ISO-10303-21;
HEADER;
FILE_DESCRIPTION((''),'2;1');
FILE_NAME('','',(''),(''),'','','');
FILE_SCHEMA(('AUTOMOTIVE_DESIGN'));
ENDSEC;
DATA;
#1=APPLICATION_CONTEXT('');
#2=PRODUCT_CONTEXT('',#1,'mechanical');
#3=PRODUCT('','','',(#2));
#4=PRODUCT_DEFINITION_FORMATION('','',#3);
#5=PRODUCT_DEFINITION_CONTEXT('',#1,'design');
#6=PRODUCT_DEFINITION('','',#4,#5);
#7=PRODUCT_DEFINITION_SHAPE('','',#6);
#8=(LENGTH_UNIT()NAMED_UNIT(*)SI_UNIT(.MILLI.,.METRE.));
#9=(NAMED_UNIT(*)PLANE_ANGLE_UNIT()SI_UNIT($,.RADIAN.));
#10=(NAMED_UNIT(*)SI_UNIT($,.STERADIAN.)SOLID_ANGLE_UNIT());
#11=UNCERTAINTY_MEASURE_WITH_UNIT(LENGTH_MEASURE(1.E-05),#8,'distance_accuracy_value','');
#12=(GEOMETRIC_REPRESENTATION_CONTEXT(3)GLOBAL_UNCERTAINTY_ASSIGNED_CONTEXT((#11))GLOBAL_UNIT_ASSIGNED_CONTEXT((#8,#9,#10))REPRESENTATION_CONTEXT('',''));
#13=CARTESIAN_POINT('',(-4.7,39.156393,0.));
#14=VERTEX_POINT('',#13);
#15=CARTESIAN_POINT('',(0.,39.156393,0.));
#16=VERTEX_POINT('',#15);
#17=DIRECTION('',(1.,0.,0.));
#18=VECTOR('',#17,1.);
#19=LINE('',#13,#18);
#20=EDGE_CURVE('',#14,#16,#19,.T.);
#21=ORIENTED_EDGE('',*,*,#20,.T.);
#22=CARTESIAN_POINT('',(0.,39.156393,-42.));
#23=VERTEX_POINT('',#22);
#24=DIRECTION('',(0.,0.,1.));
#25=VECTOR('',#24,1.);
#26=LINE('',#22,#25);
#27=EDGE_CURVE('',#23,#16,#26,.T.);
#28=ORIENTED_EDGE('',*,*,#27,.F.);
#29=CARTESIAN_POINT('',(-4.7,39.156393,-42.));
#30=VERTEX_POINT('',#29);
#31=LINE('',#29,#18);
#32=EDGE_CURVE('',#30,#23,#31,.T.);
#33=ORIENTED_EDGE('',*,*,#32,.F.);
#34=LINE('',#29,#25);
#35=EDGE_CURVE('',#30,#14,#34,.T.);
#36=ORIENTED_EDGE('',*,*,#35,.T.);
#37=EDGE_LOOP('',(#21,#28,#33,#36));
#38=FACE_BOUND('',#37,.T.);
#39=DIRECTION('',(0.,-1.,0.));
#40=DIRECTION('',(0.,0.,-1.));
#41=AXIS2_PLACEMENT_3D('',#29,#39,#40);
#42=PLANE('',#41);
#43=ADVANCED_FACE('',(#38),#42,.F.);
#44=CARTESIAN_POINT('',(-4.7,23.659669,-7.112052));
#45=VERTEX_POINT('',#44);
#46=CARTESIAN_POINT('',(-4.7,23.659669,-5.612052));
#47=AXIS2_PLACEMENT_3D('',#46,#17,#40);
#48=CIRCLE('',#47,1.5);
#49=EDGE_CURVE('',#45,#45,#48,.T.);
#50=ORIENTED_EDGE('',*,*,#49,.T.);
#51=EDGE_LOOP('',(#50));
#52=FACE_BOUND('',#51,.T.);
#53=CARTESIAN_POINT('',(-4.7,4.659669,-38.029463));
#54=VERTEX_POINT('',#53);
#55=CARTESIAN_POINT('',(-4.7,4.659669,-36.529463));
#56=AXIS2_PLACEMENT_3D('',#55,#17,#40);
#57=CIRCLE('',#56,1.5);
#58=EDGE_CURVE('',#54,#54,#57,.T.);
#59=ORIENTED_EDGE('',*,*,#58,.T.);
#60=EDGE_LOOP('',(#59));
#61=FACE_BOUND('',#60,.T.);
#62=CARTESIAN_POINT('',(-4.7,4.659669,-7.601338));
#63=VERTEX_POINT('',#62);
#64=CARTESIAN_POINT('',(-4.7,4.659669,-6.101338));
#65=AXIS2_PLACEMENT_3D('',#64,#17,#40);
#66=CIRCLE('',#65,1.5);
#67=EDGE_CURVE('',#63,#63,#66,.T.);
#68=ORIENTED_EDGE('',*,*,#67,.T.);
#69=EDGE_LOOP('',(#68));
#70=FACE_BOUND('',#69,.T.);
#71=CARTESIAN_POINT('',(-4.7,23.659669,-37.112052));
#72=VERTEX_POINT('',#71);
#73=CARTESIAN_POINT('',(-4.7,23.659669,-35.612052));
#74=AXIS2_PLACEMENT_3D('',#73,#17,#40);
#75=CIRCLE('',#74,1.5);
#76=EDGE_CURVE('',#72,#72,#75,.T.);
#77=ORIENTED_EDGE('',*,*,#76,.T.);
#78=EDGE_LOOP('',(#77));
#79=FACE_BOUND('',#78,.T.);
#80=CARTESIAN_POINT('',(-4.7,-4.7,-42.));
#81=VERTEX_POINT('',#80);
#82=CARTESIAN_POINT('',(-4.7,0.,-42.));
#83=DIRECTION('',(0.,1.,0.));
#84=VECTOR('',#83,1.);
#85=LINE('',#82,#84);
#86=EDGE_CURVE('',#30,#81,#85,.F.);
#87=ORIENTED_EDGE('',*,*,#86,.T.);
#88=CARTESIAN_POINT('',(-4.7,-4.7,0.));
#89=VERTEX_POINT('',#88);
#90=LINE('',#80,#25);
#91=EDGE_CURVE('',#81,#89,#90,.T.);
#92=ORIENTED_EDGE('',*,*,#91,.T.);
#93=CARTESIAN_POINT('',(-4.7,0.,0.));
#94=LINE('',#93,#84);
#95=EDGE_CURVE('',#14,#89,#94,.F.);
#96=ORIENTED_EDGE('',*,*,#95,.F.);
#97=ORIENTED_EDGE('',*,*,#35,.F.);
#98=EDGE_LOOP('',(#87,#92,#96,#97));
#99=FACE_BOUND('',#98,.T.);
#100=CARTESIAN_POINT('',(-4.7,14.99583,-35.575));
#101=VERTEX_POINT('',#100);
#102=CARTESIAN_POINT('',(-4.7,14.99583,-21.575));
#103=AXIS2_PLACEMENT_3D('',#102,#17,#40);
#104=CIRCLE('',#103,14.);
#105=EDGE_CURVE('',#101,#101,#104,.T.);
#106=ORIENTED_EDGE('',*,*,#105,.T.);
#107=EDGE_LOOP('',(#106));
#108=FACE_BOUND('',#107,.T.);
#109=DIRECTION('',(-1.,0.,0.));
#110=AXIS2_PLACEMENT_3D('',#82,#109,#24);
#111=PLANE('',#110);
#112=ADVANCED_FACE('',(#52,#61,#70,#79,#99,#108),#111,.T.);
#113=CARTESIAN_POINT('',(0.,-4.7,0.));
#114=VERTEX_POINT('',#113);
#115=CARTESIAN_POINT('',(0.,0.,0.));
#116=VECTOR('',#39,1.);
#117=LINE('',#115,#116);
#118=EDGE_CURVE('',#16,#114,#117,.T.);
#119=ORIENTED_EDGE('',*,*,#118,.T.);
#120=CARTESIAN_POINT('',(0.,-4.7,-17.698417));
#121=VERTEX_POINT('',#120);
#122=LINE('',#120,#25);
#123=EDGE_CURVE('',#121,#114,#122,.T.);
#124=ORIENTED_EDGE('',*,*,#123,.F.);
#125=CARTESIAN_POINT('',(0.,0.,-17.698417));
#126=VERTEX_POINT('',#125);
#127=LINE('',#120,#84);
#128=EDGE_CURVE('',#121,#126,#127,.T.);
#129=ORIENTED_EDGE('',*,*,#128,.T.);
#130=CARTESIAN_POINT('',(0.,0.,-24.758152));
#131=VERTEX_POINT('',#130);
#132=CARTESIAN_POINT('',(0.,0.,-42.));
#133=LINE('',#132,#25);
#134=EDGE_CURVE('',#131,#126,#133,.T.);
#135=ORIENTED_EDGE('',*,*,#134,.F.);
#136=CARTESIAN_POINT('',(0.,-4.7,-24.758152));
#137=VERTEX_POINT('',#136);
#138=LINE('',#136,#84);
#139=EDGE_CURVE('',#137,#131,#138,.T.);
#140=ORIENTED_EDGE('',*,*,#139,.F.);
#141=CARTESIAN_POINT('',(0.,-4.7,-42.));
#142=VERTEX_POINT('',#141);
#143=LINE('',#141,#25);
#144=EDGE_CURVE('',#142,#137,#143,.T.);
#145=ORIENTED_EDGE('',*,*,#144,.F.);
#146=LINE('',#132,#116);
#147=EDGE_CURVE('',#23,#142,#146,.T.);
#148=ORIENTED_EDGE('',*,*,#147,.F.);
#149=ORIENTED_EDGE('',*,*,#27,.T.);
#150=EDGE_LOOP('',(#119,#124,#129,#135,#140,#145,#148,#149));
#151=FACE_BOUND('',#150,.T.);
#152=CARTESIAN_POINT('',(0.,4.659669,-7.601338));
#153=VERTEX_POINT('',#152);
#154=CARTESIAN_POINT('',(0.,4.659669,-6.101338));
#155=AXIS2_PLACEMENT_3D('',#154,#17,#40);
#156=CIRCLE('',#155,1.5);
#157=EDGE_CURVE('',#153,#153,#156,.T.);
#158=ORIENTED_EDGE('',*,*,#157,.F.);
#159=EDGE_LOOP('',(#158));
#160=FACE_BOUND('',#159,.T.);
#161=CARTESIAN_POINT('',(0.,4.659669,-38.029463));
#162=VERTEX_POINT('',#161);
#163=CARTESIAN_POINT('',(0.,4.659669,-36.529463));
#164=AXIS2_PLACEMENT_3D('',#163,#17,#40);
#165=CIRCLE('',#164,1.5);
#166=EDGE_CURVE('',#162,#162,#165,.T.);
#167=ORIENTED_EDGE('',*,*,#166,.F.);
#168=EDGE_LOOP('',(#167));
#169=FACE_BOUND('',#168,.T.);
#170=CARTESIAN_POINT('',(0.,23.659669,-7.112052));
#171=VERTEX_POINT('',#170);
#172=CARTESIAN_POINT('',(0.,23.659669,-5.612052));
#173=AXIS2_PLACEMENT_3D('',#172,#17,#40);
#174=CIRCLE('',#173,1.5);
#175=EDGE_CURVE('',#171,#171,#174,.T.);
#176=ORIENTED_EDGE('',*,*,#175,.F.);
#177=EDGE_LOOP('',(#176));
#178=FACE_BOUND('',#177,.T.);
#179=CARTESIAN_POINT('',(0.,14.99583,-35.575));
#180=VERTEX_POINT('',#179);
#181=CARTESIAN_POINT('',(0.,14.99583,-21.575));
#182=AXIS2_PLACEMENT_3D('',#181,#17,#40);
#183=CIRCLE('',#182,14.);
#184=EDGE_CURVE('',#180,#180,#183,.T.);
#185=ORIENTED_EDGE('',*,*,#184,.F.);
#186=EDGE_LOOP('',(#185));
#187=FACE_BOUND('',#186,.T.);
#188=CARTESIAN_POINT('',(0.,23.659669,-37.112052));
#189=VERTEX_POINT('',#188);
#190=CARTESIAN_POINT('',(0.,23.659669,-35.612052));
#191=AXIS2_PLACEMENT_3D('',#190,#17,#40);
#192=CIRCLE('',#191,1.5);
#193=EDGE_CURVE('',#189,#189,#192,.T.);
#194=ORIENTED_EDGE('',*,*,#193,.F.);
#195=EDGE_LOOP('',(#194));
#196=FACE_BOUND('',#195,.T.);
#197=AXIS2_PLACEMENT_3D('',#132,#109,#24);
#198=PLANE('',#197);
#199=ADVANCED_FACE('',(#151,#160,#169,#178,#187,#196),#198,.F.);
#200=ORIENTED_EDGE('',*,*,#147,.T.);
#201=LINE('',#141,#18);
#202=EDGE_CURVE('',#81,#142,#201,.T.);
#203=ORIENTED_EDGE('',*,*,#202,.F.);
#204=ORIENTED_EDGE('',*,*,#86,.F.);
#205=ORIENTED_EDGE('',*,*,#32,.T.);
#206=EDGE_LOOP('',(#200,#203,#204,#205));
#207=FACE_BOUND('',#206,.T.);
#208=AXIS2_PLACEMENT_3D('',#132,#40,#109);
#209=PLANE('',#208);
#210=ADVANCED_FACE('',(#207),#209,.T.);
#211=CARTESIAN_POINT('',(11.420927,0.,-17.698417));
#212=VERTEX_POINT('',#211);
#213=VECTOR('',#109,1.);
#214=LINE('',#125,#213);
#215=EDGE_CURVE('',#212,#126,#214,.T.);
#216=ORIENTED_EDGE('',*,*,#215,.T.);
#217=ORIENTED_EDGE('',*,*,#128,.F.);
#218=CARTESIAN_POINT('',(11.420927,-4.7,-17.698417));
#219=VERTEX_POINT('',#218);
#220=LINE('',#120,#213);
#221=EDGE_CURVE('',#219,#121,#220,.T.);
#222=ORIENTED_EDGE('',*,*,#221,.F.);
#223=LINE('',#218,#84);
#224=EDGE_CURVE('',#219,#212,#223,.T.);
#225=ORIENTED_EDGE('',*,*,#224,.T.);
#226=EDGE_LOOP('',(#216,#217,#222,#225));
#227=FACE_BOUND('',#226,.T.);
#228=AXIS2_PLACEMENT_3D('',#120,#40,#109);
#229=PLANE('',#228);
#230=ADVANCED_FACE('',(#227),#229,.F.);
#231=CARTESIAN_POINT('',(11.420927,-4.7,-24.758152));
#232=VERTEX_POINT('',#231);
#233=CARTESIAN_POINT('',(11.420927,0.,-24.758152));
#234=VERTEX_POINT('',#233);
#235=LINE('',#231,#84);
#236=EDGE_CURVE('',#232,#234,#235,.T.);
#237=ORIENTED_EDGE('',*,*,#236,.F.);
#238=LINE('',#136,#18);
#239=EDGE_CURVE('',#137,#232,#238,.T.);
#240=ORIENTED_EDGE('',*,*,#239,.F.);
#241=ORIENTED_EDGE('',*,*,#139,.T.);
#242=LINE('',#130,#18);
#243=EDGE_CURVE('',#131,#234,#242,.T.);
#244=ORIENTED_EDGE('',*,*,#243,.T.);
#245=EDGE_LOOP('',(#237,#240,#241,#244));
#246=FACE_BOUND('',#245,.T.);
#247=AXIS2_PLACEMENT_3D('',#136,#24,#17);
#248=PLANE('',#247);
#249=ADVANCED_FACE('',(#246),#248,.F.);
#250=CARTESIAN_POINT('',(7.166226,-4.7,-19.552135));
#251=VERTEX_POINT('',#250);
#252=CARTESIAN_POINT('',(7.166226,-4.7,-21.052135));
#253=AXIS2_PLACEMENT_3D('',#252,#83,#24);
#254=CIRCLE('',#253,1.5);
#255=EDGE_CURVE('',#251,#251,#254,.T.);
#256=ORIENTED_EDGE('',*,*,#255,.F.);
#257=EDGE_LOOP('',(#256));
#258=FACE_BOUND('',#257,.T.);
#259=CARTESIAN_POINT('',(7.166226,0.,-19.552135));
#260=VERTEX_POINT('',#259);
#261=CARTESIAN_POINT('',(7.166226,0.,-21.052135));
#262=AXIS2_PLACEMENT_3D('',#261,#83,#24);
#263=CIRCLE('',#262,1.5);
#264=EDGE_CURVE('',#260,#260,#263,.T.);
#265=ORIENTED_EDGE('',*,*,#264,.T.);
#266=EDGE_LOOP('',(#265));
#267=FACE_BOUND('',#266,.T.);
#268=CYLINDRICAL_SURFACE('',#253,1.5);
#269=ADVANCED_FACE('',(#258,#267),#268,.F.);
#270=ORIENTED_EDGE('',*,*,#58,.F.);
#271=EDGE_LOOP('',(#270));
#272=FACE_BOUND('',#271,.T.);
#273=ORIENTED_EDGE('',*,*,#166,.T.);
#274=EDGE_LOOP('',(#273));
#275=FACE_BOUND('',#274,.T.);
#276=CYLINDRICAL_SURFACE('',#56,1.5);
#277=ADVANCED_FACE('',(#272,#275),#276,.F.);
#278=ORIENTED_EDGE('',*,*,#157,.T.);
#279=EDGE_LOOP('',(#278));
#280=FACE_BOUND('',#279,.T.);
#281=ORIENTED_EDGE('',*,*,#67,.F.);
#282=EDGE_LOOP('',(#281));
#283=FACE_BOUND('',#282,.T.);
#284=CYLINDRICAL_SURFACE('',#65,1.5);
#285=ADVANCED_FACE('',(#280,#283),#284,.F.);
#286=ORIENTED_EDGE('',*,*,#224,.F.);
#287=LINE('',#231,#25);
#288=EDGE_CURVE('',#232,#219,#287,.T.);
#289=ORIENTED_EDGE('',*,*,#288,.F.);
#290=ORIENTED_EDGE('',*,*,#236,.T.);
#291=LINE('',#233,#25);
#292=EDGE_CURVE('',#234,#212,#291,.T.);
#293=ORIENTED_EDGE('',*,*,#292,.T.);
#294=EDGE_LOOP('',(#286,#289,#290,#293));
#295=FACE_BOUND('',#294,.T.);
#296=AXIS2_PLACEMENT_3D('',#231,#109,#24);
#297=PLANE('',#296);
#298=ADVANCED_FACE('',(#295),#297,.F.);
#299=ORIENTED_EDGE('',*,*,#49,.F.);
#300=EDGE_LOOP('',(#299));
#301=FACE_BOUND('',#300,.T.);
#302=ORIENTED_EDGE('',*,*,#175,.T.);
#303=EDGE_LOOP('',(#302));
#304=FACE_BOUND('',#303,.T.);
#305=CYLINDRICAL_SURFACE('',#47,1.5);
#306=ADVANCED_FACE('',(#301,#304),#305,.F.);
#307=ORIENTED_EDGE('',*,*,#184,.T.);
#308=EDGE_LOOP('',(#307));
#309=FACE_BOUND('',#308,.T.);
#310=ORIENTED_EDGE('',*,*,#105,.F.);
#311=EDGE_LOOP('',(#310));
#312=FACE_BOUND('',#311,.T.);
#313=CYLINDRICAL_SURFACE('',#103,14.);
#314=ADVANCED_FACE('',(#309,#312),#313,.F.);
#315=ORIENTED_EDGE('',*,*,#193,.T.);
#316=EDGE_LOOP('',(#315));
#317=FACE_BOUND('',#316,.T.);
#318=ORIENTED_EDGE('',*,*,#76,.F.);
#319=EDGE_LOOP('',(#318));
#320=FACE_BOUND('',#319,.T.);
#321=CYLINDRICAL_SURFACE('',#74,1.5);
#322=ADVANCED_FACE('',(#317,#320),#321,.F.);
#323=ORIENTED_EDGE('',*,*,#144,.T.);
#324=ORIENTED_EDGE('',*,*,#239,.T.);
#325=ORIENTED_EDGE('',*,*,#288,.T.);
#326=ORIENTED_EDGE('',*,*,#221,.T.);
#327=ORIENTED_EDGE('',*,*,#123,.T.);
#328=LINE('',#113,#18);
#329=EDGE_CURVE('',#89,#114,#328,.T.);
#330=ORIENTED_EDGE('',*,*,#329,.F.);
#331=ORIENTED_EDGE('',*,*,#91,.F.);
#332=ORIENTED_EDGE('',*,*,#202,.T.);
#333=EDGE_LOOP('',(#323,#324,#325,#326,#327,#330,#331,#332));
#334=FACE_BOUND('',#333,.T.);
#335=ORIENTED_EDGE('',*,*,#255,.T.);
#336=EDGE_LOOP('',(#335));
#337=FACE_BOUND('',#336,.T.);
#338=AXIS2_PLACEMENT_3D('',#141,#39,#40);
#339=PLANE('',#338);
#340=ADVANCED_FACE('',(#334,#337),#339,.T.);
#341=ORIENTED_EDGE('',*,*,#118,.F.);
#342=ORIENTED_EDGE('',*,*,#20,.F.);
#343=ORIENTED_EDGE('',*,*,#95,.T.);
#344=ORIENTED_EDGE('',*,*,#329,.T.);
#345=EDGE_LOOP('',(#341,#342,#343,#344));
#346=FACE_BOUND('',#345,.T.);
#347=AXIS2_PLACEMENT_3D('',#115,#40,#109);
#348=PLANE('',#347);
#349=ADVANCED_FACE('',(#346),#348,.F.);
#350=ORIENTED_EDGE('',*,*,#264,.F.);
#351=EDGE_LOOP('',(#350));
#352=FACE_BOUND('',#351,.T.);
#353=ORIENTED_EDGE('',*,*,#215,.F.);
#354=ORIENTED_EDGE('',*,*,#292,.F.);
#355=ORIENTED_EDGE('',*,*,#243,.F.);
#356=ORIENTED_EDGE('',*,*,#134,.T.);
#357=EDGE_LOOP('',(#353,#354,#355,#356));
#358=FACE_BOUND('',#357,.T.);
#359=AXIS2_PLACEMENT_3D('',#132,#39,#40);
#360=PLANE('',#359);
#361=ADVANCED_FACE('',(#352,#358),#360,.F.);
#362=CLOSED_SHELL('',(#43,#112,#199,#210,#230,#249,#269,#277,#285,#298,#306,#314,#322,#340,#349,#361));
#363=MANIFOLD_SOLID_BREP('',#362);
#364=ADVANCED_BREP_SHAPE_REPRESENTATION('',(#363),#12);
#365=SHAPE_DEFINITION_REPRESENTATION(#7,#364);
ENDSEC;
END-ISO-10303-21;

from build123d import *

# Parameters (mm, degrees)
EXTRUDE_THIN2_DEPTH = 42
SKETCH2_R           = 1.5
CUT_EXTRUDE1_DEPTH  = 60.728683855
SKETCH4_R           = 14
CUT_EXTRUDE3_DEPTH  = 60.728683855
SKETCH6_R           = 1.5
CUT_EXTRUDE5_DEPTH  = 60.728683855
SKETCH7_W           = 16.44057734
SKETCH7_H           = 17.698417135
SKETCH7_H_2         = 17.241848417
CUT_EXTRUDE6_DEPTH  = 60.728683855
SKETCH8_W           = 5.019650722
SKETCH8_H           = 7.059734448
CUT_EXTRUDE7_DEPTH  = 60.728683855


with BuildPart() as part:
    # Sketch1 → Extrude-Thin2 (new body)
    with BuildSketch(Plane.XY):
        Polygon((16.44057734, 0), (0, 0), (0, 39.156392732), (-4.7, 39.156392732), (-4.7, -4.7), (16.44057734, -4.7), align=None)
    extrude(amount=-EXTRUDE_THIN2_DEPTH)

    # Sketch2 → Cut-Extrude1 (cut, through all)
    with BuildSketch(Plane(origin=(0, 0, 0), x_dir=(1, 0, 0), z_dir=(0, 1, 0))):
        with Locations(Location((7.166226071, 21.052134807, 0), (0, 0, 270))):
            Circle(SKETCH2_R)
    extrude(amount=-CUT_EXTRUDE1_DEPTH, mode=Mode.SUBTRACT)

    # Sketch4 → Cut-Extrude3 (cut, through all)
    with BuildSketch(Plane(origin=(0, 0, 0), x_dir=(0, 0, -1), z_dir=(1, 0, 0))):
        with Locations((21.574999721, 14.995830113)):
            Circle(SKETCH4_R)
    extrude(amount=-CUT_EXTRUDE3_DEPTH, mode=Mode.SUBTRACT)

    # Sketch6 → Cut-Extrude5 (cut, through all)
    with BuildSketch(Plane(origin=(0, 0, 0), x_dir=(0, 0, -1), z_dir=(1, 0, 0))):
        with Locations((5.612051992, 23.659668557)):
            Circle(SKETCH6_R)
        with Locations((6.101337746, 4.659668557)):
            Circle(SKETCH6_R)
        with Locations((35.612051992, 23.659668557)):
            Circle(SKETCH6_R)
        with Locations((36.529462781, 4.659668557)):
            Circle(SKETCH6_R)
    extrude(amount=-CUT_EXTRUDE5_DEPTH, mode=Mode.SUBTRACT)

    # Sketch7 → Cut-Extrude6 (cut, through all)
    with BuildSketch(Plane(origin=(0, 0, 0), x_dir=(1, 0, 0), z_dir=(0, 1, 0))):
        with Locations((8.22028867, 8.849208567)):
            Rectangle(SKETCH7_W, SKETCH7_H)
        with Locations((8.22028867, 33.379075792)):
            Rectangle(SKETCH7_W, SKETCH7_H_2)
    extrude(amount=-CUT_EXTRUDE6_DEPTH, mode=Mode.SUBTRACT)

    # Sketch8 → Cut-Extrude7 (cut, through all)
    with BuildSketch(Plane(origin=(0, 0, 0), x_dir=(1, 0, 0), z_dir=(0, 1, 0))):
        with Locations((13.930751979, 21.228284359)):
            Rectangle(SKETCH8_W, SKETCH8_H)
    extrude(amount=-CUT_EXTRUDE7_DEPTH, mode=Mode.SUBTRACT)


solid = part.part
